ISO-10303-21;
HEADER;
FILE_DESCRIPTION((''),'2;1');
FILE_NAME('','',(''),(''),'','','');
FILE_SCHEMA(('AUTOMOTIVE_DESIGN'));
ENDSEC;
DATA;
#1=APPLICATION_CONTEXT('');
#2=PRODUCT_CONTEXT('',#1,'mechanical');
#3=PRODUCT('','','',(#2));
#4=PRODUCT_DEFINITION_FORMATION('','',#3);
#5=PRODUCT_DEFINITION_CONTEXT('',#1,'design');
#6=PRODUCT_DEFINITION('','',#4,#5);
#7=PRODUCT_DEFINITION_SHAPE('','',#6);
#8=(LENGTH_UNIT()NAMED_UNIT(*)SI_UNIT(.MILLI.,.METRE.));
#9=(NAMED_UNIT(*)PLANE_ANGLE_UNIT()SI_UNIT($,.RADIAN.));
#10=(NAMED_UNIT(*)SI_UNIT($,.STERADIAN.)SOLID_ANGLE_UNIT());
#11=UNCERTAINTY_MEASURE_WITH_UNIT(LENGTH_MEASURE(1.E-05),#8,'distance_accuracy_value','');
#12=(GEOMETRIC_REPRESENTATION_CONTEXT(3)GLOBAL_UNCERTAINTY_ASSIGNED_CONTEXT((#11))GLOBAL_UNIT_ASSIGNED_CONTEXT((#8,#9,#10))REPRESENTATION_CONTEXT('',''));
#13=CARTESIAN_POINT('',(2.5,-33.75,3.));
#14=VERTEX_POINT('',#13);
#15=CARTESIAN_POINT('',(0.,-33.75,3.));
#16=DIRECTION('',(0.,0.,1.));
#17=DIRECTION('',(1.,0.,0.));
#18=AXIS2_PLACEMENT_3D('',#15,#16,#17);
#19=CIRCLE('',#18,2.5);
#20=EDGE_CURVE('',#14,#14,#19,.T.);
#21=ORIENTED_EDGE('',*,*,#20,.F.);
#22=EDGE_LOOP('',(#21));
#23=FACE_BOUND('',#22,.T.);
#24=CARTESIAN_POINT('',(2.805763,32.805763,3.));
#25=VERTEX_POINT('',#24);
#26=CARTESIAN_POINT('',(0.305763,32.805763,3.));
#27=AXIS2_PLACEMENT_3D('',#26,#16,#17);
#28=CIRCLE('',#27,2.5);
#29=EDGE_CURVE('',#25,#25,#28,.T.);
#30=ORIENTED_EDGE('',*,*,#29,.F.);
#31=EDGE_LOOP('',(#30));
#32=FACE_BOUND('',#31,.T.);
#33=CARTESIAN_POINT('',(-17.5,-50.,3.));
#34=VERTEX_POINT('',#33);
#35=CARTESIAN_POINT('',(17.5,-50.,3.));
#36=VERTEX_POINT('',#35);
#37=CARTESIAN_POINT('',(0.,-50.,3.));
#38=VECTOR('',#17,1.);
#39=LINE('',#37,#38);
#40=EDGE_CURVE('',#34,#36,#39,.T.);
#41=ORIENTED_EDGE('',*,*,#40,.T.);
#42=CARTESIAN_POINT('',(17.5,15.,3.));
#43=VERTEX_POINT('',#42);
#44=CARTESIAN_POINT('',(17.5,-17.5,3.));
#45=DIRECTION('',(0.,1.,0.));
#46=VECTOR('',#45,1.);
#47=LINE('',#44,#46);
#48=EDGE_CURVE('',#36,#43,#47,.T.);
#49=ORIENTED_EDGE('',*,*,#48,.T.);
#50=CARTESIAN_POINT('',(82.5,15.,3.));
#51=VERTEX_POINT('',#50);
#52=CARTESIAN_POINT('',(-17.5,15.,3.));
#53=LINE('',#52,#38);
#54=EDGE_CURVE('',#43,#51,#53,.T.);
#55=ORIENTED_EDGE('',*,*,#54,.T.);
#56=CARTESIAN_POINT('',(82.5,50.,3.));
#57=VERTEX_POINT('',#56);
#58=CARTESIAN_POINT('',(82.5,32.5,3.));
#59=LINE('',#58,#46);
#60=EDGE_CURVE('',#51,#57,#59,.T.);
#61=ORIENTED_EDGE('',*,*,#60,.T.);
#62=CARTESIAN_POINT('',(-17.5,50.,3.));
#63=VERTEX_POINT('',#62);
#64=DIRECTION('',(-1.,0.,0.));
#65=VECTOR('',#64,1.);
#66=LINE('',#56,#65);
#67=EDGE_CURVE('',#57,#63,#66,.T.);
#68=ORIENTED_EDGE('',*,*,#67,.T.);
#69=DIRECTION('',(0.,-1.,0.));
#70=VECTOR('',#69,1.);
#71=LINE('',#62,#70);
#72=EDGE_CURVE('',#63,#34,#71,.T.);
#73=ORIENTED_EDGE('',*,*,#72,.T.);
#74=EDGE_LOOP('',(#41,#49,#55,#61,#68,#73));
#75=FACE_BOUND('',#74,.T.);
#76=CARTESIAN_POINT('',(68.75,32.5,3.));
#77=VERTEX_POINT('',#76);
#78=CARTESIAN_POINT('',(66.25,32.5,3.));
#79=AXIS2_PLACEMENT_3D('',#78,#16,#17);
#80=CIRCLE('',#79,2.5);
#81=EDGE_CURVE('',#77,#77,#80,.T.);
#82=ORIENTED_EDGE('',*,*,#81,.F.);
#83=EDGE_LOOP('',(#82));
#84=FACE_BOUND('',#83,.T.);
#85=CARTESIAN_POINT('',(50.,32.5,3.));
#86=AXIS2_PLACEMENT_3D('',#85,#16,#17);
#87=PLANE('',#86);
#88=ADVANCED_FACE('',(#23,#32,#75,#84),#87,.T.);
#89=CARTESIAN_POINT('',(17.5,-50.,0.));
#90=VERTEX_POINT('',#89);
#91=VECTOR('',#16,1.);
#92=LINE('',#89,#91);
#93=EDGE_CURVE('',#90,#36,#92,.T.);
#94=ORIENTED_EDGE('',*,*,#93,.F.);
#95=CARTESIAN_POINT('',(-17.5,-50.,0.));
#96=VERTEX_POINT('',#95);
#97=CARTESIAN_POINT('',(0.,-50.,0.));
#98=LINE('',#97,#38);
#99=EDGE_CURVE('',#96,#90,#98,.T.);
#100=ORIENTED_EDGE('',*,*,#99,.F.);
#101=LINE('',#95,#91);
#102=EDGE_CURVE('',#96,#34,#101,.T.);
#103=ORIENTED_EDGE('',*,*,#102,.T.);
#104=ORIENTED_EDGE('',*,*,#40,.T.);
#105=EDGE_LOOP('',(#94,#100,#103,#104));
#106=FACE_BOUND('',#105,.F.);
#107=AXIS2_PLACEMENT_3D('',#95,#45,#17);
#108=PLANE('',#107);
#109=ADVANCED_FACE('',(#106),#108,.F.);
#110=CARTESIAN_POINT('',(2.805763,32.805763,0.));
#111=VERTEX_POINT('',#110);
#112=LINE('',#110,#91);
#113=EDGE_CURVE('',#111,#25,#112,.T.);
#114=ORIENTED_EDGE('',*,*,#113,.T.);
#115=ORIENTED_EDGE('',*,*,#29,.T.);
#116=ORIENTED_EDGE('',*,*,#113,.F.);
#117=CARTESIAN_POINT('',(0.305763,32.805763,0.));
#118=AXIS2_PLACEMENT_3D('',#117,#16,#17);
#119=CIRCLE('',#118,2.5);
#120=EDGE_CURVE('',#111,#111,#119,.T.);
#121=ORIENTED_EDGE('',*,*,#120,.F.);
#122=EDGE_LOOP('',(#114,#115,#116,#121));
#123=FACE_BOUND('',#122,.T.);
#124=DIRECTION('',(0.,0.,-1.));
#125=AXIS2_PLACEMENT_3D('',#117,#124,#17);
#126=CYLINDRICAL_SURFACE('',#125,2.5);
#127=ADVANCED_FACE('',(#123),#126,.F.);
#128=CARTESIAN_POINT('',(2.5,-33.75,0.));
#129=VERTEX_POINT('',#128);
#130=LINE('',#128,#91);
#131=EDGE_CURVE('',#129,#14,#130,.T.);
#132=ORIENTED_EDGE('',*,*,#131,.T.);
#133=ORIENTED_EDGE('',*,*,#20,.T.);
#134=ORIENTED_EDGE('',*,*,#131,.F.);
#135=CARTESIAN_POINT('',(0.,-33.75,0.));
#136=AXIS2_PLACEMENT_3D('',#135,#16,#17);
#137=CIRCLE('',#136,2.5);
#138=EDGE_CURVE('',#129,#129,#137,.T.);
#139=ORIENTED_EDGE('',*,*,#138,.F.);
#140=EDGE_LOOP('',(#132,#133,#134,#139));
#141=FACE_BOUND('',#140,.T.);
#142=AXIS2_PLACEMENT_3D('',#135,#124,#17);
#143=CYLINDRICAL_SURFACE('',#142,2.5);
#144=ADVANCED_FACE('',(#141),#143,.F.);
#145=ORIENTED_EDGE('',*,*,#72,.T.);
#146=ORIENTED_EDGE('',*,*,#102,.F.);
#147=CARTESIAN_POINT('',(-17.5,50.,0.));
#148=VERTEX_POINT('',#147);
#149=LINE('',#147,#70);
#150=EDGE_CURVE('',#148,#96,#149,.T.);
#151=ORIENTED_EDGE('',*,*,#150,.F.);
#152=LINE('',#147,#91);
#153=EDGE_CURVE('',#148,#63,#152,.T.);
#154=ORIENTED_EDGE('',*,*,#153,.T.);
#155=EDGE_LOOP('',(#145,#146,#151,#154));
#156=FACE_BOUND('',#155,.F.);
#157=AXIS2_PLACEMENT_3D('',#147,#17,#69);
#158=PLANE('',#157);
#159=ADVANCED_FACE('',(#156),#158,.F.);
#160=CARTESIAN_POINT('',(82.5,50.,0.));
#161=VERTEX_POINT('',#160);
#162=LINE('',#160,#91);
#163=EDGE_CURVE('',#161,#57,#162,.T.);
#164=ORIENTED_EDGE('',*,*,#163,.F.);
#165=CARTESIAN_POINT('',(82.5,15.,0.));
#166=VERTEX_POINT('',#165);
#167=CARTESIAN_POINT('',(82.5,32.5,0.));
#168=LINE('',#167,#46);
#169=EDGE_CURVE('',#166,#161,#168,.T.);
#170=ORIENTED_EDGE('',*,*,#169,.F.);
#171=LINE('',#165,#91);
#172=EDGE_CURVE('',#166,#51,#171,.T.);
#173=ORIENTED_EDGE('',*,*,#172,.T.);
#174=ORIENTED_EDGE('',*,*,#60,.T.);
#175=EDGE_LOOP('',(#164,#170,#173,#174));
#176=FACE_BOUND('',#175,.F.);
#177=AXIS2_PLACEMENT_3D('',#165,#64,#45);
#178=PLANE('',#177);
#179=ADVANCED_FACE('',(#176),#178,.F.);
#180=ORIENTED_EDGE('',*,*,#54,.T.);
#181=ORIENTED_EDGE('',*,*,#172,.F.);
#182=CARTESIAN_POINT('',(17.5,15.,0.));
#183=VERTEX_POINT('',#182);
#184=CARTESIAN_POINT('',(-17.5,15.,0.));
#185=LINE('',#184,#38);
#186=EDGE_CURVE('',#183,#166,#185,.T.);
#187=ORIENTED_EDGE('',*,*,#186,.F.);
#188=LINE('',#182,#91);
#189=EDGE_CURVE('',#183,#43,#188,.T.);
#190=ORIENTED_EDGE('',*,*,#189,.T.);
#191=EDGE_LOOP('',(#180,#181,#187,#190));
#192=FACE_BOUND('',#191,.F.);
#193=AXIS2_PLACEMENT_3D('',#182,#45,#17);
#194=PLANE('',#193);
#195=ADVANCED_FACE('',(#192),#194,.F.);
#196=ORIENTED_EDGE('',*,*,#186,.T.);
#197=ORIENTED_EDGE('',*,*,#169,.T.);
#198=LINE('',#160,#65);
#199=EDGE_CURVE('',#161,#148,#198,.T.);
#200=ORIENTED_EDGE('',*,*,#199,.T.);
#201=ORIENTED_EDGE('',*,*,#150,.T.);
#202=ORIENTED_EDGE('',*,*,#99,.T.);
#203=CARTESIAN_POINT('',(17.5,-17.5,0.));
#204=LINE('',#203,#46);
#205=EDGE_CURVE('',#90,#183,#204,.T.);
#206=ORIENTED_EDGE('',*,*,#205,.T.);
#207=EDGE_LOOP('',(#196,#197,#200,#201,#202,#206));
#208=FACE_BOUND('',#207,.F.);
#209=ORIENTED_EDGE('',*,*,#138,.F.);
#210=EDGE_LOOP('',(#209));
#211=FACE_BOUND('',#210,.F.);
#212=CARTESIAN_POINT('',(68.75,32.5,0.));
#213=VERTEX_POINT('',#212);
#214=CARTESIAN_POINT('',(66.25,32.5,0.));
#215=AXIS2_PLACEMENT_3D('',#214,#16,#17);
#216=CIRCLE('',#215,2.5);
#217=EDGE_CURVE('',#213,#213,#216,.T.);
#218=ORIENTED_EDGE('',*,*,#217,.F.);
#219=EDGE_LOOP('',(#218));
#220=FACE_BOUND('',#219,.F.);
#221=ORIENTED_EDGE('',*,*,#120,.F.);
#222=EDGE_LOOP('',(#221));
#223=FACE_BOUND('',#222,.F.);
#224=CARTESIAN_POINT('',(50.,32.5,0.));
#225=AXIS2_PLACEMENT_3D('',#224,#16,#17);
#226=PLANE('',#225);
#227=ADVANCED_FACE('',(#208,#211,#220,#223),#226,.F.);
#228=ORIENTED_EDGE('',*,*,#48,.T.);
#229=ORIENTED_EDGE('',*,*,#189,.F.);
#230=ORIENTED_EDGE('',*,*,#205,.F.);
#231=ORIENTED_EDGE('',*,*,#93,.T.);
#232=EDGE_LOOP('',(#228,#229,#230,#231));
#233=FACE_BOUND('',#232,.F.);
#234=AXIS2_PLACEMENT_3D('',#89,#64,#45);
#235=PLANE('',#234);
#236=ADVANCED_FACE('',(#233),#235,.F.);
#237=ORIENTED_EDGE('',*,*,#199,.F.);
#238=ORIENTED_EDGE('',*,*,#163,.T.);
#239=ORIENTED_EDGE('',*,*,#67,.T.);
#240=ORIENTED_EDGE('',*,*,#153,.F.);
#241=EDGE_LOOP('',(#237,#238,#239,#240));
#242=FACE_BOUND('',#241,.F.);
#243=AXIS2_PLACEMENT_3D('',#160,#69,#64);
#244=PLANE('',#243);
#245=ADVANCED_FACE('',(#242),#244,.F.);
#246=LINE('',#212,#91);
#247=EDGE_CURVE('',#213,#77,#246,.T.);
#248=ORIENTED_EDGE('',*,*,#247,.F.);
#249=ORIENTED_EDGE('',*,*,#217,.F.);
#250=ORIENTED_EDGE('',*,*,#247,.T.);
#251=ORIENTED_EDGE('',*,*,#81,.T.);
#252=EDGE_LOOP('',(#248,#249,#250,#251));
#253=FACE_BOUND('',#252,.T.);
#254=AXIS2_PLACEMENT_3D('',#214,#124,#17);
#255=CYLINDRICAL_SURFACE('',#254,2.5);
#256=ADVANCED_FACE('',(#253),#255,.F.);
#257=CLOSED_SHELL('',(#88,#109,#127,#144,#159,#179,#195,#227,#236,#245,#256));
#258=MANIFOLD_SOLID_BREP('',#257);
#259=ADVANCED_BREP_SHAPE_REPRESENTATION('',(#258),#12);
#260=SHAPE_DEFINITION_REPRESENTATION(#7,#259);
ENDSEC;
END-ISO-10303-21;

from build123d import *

# Parameters (mm, degrees)
F0_W     = 65
F0_H     = 35
F0_R     = 2.5
F0_W_2   = 35
F0_H_2   = 65
F1_DEPTH = 3


with BuildPart() as f1:
    # F0 (on Top) → F1 (new body)
    with BuildSketch(Plane.XY):
        with Locations((50, 32.5)):
            Rectangle(F0_W, F0_H)
        with Locations((66.25, 32.5)):
            Circle(F0_R, mode=Mode.SUBTRACT)
        with Locations((0, 32.5)):
            Rectangle(F0_W_2, F0_H)
        with Locations((0.305763, 32.805763)):
            Circle(F0_R, mode=Mode.SUBTRACT)
        with Locations((0, -17.5)):
            Rectangle(F0_W_2, F0_H_2)
        with Locations((0, -33.75)):
            Circle(F0_R, mode=Mode.SUBTRACT)
    extrude(amount=F1_DEPTH)


solid = f1.part
